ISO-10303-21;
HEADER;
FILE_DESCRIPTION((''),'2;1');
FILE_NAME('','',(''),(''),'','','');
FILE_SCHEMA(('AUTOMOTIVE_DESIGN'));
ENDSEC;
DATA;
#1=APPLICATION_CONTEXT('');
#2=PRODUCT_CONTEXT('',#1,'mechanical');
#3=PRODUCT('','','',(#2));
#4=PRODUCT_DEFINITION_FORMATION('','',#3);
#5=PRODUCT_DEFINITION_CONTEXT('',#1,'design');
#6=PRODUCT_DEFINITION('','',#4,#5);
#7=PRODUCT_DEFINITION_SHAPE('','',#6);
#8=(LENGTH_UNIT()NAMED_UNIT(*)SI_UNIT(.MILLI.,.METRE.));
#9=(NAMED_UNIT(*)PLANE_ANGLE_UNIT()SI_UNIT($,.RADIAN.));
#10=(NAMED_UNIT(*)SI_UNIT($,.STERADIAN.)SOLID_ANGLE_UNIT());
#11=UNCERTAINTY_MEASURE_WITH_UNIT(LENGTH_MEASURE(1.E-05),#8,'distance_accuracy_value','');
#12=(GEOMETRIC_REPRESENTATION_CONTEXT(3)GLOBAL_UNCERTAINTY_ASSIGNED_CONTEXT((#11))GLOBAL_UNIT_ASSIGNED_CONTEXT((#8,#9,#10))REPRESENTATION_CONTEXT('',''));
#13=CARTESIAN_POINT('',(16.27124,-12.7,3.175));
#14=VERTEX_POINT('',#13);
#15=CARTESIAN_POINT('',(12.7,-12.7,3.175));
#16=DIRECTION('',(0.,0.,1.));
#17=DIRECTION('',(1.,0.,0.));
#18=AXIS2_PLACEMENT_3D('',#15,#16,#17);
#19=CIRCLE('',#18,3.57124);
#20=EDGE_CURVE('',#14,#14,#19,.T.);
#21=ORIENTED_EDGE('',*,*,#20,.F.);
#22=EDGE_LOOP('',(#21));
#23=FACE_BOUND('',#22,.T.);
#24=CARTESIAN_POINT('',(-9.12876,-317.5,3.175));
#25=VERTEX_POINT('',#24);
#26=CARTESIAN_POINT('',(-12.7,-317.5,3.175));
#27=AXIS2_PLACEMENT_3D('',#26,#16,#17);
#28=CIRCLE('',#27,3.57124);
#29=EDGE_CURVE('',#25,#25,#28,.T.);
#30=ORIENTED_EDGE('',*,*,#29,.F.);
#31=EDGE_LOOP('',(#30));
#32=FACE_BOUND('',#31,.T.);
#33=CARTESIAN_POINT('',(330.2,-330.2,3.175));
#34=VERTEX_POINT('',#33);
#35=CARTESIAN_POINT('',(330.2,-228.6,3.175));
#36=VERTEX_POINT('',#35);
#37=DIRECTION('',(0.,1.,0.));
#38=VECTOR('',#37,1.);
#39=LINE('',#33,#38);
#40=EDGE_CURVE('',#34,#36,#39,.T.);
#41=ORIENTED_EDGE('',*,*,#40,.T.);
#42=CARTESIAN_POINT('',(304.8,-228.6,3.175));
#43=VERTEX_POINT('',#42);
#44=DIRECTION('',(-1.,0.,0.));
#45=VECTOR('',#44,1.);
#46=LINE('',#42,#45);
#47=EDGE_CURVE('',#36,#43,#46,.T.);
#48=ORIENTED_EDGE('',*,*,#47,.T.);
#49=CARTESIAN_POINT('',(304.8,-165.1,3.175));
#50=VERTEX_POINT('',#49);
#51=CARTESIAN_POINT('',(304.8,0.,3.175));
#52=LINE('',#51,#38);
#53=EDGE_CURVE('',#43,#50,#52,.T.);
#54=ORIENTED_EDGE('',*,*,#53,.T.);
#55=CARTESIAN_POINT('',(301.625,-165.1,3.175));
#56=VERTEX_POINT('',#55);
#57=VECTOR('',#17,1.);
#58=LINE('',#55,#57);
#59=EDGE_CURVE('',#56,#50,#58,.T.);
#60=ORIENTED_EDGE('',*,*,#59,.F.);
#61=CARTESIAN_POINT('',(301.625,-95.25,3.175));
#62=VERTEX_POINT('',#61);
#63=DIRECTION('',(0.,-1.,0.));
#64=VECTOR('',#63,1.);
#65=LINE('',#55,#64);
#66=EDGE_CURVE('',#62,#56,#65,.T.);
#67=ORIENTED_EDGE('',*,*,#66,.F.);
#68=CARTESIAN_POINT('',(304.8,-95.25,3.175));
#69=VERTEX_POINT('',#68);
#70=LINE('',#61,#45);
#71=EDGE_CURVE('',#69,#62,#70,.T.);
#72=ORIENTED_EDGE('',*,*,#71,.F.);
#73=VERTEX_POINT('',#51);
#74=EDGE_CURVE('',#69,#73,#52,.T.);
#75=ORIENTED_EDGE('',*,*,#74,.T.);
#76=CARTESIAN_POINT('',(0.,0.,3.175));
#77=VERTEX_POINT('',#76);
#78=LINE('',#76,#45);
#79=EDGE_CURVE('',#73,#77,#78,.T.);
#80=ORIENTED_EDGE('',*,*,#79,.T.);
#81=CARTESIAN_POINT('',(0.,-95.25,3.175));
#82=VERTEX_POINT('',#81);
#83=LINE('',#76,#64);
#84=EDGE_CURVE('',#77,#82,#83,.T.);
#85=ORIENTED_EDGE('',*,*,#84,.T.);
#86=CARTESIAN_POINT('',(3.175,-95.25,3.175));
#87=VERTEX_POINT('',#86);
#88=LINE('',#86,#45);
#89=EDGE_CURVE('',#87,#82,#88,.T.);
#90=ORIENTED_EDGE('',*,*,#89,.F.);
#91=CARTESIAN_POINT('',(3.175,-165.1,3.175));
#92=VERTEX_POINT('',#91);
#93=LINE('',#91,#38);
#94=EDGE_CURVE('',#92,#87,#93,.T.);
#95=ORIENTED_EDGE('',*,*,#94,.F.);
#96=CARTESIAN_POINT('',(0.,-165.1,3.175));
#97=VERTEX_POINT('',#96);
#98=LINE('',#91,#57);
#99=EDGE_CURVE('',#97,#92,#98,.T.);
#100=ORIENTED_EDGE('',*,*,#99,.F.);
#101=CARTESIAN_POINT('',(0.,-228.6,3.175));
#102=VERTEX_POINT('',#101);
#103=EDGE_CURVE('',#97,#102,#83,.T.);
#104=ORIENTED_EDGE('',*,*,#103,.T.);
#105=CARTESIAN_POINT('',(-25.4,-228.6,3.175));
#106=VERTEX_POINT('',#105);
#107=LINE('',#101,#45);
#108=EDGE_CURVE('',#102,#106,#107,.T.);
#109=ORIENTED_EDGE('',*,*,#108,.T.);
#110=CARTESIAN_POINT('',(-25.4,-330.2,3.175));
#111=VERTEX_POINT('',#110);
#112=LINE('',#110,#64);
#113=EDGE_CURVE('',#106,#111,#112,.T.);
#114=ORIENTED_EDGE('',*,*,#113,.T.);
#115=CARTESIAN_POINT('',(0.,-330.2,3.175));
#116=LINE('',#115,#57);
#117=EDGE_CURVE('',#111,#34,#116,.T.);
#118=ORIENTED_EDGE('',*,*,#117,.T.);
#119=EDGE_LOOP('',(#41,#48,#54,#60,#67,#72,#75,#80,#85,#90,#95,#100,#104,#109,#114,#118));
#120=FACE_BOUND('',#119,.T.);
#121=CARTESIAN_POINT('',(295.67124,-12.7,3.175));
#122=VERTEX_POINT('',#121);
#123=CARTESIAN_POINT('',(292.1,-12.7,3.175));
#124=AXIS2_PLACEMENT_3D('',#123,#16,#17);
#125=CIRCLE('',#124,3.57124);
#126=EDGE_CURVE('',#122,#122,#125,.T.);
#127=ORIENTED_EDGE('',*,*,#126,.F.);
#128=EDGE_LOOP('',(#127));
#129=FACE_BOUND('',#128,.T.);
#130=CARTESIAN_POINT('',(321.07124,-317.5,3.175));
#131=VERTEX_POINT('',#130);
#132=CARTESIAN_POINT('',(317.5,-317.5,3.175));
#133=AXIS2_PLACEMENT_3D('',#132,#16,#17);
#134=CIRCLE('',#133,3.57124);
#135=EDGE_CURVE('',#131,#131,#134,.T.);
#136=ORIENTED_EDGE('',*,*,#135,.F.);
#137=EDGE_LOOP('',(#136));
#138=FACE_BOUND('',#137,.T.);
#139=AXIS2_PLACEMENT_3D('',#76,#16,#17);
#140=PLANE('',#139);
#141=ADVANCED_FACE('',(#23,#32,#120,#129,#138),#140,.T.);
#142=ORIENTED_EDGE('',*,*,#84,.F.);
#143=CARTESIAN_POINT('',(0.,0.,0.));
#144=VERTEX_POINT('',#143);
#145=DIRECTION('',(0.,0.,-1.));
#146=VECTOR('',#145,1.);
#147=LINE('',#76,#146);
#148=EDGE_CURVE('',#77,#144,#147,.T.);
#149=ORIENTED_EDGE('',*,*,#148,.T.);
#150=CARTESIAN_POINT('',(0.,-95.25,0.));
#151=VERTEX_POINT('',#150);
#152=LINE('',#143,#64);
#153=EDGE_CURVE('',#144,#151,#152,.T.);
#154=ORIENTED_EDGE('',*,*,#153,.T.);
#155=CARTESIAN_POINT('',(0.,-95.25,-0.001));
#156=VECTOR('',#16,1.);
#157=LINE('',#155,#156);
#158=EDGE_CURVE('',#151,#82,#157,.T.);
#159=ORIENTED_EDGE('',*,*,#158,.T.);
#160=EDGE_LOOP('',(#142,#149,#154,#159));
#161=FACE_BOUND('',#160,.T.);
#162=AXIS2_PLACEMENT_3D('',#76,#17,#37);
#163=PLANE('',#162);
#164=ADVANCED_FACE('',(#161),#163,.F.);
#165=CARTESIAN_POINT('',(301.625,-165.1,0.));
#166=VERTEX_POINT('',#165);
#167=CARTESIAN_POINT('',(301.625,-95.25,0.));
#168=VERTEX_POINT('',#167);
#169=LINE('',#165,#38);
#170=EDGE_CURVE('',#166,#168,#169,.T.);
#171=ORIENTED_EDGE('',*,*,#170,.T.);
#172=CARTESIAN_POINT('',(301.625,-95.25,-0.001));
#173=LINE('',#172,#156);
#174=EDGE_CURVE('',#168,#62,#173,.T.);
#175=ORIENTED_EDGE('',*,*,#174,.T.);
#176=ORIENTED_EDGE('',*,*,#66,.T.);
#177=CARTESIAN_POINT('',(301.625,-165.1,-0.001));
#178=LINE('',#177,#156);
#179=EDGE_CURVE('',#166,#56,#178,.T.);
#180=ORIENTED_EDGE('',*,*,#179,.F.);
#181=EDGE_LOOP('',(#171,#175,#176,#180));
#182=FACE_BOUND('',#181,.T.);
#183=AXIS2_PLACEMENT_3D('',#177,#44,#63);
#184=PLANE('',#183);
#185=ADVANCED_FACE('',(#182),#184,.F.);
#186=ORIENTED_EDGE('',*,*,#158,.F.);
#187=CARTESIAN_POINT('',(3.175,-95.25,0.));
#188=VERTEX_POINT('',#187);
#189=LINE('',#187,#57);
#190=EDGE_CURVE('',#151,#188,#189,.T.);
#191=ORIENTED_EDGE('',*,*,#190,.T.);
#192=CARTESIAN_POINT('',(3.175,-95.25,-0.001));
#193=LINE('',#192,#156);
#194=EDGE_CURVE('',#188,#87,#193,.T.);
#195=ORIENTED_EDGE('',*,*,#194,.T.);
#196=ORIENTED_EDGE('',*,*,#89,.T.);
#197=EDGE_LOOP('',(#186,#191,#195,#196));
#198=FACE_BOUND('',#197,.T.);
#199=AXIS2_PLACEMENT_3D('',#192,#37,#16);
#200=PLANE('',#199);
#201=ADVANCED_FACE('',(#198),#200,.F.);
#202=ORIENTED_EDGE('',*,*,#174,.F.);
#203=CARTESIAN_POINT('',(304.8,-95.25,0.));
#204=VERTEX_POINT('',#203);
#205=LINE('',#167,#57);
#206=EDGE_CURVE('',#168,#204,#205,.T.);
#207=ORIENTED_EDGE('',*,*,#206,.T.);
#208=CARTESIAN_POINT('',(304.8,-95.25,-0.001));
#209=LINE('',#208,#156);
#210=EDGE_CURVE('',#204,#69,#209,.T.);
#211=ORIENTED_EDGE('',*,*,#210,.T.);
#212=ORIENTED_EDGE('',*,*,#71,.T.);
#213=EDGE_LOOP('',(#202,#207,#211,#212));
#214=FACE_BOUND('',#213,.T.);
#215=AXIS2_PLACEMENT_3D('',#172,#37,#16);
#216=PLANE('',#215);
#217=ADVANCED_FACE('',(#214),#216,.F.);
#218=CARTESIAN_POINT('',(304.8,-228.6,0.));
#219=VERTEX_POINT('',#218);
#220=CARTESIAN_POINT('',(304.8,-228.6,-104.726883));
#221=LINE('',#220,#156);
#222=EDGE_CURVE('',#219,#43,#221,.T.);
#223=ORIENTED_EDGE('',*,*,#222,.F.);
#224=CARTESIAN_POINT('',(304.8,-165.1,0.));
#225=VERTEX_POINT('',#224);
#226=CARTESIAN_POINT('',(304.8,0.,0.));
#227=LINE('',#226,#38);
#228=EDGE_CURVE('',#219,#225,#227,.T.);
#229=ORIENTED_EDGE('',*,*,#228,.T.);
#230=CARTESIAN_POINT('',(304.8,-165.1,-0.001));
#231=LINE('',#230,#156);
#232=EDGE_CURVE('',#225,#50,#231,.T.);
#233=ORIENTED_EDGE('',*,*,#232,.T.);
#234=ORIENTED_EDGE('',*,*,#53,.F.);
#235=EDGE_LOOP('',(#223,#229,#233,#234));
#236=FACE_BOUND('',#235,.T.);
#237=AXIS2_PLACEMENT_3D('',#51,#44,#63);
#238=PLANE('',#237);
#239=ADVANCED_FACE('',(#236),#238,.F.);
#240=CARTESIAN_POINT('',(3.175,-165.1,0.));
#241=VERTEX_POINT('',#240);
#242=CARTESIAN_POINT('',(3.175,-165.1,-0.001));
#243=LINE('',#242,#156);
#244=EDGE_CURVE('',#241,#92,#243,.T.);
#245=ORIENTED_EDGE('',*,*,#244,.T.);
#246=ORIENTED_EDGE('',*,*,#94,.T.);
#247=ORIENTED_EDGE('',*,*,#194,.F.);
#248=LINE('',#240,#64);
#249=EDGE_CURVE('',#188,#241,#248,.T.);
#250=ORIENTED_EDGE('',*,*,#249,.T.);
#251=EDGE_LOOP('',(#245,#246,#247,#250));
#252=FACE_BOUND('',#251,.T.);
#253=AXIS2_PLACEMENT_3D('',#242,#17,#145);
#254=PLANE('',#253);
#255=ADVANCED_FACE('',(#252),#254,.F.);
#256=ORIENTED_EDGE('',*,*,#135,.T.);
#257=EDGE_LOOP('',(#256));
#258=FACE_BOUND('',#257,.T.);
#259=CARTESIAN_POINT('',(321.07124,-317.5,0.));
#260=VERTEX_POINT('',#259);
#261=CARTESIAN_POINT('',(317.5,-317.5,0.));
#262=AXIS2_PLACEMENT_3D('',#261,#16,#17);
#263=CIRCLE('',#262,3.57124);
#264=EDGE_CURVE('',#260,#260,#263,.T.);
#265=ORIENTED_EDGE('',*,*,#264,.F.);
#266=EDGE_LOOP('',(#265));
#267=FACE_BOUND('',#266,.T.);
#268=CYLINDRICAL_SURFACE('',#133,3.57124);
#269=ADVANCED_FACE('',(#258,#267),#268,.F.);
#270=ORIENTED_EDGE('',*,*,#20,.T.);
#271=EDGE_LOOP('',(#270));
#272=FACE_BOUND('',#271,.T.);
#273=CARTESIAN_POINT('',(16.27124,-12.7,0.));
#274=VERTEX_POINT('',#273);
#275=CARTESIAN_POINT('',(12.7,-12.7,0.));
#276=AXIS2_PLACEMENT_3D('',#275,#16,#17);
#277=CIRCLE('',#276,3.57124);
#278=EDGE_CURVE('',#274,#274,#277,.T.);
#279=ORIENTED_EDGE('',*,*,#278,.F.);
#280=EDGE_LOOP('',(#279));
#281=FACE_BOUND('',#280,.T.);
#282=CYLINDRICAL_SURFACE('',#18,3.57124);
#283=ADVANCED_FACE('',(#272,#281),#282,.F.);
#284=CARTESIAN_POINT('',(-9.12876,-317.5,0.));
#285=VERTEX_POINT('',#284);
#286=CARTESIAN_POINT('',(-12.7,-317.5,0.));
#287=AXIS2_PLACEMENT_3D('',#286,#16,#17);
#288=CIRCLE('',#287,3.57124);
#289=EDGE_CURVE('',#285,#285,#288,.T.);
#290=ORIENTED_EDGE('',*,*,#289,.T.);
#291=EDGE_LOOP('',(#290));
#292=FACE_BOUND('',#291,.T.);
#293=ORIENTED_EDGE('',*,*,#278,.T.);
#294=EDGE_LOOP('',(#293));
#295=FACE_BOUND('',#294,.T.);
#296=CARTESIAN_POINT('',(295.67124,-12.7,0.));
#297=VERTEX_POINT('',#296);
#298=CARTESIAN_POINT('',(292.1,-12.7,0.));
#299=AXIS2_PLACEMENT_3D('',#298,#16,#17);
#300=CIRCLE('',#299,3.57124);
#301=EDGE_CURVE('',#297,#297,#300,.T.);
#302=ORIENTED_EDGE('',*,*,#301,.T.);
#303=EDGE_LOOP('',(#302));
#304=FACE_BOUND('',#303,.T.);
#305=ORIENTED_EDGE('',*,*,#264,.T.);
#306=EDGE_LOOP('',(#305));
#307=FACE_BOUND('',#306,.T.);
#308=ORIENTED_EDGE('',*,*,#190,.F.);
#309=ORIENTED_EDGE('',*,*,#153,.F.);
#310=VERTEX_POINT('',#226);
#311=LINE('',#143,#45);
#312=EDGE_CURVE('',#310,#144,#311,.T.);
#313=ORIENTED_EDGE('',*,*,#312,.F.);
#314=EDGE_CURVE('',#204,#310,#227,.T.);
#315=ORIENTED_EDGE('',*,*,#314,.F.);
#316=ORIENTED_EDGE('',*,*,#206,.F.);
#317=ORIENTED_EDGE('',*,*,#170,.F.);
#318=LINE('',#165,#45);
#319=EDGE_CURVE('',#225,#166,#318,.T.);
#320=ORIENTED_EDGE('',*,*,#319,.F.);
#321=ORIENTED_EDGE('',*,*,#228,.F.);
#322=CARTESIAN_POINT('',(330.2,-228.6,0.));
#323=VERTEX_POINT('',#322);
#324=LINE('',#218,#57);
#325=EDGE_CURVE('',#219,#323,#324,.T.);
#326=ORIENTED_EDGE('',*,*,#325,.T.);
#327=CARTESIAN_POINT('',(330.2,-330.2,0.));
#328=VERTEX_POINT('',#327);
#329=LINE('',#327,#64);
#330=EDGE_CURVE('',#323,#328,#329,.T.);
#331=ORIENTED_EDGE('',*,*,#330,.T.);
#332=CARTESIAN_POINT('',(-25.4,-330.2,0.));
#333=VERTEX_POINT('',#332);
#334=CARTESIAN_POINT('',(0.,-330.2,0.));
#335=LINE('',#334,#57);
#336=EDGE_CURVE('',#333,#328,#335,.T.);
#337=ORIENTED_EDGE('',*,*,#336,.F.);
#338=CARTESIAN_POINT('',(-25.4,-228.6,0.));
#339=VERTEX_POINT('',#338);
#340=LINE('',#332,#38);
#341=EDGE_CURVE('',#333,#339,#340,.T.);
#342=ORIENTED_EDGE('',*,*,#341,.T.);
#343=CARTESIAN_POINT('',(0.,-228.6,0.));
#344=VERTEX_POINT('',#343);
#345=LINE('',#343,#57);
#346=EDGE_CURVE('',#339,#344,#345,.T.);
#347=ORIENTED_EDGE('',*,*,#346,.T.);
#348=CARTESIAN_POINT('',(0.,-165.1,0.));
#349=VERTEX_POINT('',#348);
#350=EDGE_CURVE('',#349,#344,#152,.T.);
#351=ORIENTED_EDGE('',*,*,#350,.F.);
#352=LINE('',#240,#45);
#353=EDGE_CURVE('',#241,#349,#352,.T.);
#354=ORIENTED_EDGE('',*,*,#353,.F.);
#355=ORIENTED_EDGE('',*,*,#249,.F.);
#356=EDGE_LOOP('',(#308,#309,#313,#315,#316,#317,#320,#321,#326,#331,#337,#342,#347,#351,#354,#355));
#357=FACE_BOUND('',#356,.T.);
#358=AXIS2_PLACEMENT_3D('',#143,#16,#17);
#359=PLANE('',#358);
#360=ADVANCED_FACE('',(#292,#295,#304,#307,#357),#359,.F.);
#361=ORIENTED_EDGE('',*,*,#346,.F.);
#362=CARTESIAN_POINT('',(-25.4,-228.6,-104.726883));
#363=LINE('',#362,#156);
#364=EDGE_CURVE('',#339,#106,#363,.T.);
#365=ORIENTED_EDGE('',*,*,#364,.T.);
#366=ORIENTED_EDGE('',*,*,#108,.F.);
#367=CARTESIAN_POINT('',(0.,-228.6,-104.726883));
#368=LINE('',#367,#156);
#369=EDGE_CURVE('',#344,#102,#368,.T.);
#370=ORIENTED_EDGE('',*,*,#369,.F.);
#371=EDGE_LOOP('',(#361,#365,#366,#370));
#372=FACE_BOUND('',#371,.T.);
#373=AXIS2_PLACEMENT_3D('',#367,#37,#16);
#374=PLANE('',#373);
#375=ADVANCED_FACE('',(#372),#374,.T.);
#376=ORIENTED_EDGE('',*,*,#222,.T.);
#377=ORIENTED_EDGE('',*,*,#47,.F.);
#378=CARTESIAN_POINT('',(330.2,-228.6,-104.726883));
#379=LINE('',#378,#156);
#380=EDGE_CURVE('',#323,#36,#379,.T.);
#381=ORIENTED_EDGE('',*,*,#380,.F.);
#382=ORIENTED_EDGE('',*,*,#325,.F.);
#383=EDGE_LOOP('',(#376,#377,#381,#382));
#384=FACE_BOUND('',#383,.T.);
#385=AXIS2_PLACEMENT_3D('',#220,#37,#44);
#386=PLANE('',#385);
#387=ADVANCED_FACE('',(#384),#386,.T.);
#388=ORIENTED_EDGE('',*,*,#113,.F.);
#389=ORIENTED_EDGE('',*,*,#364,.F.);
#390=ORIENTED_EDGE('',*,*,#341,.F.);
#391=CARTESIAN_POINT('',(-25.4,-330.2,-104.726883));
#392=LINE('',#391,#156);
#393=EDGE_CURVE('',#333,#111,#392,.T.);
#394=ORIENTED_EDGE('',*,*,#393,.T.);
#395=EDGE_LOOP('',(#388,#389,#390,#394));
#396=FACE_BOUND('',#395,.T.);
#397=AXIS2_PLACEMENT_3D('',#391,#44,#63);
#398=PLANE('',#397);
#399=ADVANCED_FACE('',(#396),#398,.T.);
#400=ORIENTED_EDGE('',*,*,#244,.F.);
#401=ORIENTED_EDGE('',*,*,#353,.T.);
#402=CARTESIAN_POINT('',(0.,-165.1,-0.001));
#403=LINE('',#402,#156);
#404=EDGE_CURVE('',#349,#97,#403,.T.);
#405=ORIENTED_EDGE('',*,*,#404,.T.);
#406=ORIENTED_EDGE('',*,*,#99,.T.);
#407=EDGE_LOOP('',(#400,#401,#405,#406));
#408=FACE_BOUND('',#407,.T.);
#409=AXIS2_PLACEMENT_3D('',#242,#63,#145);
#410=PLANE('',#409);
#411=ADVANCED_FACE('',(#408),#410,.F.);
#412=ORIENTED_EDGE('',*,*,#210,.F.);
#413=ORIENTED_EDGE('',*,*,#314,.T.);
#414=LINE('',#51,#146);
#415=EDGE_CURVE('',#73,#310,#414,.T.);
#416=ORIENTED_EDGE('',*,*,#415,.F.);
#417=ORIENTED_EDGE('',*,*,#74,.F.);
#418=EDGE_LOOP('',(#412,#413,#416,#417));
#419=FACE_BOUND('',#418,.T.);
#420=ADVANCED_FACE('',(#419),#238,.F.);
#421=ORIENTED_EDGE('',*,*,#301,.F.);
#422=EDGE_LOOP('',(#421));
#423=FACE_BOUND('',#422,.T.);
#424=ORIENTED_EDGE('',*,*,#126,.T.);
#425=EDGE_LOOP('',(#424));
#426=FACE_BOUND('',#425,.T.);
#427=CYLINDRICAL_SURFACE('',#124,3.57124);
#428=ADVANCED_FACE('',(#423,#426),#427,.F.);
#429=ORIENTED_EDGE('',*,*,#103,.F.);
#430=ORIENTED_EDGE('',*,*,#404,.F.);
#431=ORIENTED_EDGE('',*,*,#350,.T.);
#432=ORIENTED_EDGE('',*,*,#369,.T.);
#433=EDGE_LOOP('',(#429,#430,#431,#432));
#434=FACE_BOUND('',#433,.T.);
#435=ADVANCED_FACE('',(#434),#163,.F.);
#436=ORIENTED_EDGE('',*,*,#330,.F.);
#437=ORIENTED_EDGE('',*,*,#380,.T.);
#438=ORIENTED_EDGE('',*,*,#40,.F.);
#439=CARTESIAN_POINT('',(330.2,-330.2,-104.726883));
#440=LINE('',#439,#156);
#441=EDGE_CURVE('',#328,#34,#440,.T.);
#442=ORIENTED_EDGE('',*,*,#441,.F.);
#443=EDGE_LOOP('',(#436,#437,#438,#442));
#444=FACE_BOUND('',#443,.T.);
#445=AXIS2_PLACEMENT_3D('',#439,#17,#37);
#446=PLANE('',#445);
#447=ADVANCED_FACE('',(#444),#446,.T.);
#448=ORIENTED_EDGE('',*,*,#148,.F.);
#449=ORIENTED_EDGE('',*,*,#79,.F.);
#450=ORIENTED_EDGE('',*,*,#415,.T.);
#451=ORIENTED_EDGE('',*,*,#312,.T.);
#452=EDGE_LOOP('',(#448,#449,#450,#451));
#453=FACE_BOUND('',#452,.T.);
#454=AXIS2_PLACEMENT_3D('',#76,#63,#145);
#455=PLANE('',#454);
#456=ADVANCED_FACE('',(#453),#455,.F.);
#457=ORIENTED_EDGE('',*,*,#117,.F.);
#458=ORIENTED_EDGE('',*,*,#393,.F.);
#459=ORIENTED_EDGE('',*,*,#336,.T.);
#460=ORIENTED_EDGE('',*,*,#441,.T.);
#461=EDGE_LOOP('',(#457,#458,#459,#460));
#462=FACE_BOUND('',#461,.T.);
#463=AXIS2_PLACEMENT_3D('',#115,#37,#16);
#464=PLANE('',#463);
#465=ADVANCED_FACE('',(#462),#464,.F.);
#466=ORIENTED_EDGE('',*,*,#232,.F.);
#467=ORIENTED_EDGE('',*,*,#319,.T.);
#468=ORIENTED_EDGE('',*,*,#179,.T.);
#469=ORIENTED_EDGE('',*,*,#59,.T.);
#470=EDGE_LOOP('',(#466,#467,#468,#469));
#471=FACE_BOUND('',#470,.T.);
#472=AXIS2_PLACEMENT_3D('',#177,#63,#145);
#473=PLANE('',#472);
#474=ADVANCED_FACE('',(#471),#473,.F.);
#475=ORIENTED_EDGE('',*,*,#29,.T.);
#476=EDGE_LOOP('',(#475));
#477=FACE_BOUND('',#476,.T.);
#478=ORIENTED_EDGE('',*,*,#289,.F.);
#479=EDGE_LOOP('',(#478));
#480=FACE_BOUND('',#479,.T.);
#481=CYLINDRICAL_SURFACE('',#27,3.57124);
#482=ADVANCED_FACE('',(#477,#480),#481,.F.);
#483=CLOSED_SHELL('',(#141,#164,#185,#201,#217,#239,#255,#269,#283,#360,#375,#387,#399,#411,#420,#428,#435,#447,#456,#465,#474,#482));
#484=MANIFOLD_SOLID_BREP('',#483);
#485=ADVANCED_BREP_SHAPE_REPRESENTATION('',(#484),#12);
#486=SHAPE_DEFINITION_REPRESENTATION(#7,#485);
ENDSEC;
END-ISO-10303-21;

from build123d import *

# Parameters (mm, degrees)
SKETCH1_W               = 304.8
SKETCH1_H               = 330.2
BOSS_EXTRUDE1_DEPTH     = 3.175
F_1_4_CLEARANCE_HOLE1_D = 7.14248
CUT_EXTRUDE1_REACH      = 451.383
SKETCH4_W               = 3.175
SKETCH4_H               = 69.85
SKETCH5_W               = 25.4
SKETCH5_H               = 101.6
BOSS_EXTRUDE2_DEPTH     = 3.175
F_1_4_CLEARANCE_HOLE2_D = 7.14248


with BuildPart() as part:
    # Sketch1 → Boss-Extrude1 (new body)
    with BuildSketch(Plane.XY):
        with Locations((152.4, -165.1)):
            Rectangle(SKETCH1_W, SKETCH1_H)
    extrude(amount=BOSS_EXTRUDE1_DEPTH)

    # 1/4 Clearance Hole1 (through all)
    with Locations(Plane.XY.offset(3.175)):
        with Locations((12.7, -12.7), (292.1, -12.7)):
            Hole(F_1_4_CLEARANCE_HOLE1_D / 2)

    # Sketch4 → Cut-Extrude1 (cut, up to next)
    with BuildSketch(Plane.XY.offset(3.175), mode=Mode.PRIVATE) as cut_extrude1_sk1:
        with Locations((303.2125, -130.175)):
            Rectangle(SKETCH4_W, SKETCH4_H)
    cut_extrude1_tool1 = extrude(cut_extrude1_sk1.sketch, amount=-CUT_EXTRUDE1_REACH, mode=Mode.PRIVATE) & part.part
    # Sketch4 → Cut-Extrude1 (cut, up to next)
    with BuildSketch(Plane.XY.offset(3.175), mode=Mode.PRIVATE) as cut_extrude1_sk2:
        with Locations((1.5875, -130.175)):
            Rectangle(SKETCH4_W, SKETCH4_H)
    cut_extrude1_tool2 = extrude(cut_extrude1_sk2.sketch, amount=-CUT_EXTRUDE1_REACH, mode=Mode.PRIVATE) & part.part
    add(cut_extrude1_tool1.solids().sort_by_distance((303.2125, -130.175, 3.175))[0], mode=Mode.SUBTRACT)
    add(cut_extrude1_tool2.solids().sort_by_distance((1.5875, -130.175, 3.175))[0], mode=Mode.SUBTRACT)

    # Sketch5 → Boss-Extrude2 (add)
    with BuildSketch(Plane.XY.offset(3.175)):
        with Locations((-12.7, -279.4)):
            Rectangle(SKETCH5_W, SKETCH5_H)
        with Locations((317.5, -279.4)):
            Rectangle(SKETCH5_W, SKETCH5_H)
    extrude(amount=-BOSS_EXTRUDE2_DEPTH)

    # 1/4 Clearance Hole2 (through all)
    with Locations(Plane.XY.offset(3.175)):
        with Locations((317.5, -317.5), (-12.7, -317.5)):
            Hole(F_1_4_CLEARANCE_HOLE2_D / 2)


solid = part.part
